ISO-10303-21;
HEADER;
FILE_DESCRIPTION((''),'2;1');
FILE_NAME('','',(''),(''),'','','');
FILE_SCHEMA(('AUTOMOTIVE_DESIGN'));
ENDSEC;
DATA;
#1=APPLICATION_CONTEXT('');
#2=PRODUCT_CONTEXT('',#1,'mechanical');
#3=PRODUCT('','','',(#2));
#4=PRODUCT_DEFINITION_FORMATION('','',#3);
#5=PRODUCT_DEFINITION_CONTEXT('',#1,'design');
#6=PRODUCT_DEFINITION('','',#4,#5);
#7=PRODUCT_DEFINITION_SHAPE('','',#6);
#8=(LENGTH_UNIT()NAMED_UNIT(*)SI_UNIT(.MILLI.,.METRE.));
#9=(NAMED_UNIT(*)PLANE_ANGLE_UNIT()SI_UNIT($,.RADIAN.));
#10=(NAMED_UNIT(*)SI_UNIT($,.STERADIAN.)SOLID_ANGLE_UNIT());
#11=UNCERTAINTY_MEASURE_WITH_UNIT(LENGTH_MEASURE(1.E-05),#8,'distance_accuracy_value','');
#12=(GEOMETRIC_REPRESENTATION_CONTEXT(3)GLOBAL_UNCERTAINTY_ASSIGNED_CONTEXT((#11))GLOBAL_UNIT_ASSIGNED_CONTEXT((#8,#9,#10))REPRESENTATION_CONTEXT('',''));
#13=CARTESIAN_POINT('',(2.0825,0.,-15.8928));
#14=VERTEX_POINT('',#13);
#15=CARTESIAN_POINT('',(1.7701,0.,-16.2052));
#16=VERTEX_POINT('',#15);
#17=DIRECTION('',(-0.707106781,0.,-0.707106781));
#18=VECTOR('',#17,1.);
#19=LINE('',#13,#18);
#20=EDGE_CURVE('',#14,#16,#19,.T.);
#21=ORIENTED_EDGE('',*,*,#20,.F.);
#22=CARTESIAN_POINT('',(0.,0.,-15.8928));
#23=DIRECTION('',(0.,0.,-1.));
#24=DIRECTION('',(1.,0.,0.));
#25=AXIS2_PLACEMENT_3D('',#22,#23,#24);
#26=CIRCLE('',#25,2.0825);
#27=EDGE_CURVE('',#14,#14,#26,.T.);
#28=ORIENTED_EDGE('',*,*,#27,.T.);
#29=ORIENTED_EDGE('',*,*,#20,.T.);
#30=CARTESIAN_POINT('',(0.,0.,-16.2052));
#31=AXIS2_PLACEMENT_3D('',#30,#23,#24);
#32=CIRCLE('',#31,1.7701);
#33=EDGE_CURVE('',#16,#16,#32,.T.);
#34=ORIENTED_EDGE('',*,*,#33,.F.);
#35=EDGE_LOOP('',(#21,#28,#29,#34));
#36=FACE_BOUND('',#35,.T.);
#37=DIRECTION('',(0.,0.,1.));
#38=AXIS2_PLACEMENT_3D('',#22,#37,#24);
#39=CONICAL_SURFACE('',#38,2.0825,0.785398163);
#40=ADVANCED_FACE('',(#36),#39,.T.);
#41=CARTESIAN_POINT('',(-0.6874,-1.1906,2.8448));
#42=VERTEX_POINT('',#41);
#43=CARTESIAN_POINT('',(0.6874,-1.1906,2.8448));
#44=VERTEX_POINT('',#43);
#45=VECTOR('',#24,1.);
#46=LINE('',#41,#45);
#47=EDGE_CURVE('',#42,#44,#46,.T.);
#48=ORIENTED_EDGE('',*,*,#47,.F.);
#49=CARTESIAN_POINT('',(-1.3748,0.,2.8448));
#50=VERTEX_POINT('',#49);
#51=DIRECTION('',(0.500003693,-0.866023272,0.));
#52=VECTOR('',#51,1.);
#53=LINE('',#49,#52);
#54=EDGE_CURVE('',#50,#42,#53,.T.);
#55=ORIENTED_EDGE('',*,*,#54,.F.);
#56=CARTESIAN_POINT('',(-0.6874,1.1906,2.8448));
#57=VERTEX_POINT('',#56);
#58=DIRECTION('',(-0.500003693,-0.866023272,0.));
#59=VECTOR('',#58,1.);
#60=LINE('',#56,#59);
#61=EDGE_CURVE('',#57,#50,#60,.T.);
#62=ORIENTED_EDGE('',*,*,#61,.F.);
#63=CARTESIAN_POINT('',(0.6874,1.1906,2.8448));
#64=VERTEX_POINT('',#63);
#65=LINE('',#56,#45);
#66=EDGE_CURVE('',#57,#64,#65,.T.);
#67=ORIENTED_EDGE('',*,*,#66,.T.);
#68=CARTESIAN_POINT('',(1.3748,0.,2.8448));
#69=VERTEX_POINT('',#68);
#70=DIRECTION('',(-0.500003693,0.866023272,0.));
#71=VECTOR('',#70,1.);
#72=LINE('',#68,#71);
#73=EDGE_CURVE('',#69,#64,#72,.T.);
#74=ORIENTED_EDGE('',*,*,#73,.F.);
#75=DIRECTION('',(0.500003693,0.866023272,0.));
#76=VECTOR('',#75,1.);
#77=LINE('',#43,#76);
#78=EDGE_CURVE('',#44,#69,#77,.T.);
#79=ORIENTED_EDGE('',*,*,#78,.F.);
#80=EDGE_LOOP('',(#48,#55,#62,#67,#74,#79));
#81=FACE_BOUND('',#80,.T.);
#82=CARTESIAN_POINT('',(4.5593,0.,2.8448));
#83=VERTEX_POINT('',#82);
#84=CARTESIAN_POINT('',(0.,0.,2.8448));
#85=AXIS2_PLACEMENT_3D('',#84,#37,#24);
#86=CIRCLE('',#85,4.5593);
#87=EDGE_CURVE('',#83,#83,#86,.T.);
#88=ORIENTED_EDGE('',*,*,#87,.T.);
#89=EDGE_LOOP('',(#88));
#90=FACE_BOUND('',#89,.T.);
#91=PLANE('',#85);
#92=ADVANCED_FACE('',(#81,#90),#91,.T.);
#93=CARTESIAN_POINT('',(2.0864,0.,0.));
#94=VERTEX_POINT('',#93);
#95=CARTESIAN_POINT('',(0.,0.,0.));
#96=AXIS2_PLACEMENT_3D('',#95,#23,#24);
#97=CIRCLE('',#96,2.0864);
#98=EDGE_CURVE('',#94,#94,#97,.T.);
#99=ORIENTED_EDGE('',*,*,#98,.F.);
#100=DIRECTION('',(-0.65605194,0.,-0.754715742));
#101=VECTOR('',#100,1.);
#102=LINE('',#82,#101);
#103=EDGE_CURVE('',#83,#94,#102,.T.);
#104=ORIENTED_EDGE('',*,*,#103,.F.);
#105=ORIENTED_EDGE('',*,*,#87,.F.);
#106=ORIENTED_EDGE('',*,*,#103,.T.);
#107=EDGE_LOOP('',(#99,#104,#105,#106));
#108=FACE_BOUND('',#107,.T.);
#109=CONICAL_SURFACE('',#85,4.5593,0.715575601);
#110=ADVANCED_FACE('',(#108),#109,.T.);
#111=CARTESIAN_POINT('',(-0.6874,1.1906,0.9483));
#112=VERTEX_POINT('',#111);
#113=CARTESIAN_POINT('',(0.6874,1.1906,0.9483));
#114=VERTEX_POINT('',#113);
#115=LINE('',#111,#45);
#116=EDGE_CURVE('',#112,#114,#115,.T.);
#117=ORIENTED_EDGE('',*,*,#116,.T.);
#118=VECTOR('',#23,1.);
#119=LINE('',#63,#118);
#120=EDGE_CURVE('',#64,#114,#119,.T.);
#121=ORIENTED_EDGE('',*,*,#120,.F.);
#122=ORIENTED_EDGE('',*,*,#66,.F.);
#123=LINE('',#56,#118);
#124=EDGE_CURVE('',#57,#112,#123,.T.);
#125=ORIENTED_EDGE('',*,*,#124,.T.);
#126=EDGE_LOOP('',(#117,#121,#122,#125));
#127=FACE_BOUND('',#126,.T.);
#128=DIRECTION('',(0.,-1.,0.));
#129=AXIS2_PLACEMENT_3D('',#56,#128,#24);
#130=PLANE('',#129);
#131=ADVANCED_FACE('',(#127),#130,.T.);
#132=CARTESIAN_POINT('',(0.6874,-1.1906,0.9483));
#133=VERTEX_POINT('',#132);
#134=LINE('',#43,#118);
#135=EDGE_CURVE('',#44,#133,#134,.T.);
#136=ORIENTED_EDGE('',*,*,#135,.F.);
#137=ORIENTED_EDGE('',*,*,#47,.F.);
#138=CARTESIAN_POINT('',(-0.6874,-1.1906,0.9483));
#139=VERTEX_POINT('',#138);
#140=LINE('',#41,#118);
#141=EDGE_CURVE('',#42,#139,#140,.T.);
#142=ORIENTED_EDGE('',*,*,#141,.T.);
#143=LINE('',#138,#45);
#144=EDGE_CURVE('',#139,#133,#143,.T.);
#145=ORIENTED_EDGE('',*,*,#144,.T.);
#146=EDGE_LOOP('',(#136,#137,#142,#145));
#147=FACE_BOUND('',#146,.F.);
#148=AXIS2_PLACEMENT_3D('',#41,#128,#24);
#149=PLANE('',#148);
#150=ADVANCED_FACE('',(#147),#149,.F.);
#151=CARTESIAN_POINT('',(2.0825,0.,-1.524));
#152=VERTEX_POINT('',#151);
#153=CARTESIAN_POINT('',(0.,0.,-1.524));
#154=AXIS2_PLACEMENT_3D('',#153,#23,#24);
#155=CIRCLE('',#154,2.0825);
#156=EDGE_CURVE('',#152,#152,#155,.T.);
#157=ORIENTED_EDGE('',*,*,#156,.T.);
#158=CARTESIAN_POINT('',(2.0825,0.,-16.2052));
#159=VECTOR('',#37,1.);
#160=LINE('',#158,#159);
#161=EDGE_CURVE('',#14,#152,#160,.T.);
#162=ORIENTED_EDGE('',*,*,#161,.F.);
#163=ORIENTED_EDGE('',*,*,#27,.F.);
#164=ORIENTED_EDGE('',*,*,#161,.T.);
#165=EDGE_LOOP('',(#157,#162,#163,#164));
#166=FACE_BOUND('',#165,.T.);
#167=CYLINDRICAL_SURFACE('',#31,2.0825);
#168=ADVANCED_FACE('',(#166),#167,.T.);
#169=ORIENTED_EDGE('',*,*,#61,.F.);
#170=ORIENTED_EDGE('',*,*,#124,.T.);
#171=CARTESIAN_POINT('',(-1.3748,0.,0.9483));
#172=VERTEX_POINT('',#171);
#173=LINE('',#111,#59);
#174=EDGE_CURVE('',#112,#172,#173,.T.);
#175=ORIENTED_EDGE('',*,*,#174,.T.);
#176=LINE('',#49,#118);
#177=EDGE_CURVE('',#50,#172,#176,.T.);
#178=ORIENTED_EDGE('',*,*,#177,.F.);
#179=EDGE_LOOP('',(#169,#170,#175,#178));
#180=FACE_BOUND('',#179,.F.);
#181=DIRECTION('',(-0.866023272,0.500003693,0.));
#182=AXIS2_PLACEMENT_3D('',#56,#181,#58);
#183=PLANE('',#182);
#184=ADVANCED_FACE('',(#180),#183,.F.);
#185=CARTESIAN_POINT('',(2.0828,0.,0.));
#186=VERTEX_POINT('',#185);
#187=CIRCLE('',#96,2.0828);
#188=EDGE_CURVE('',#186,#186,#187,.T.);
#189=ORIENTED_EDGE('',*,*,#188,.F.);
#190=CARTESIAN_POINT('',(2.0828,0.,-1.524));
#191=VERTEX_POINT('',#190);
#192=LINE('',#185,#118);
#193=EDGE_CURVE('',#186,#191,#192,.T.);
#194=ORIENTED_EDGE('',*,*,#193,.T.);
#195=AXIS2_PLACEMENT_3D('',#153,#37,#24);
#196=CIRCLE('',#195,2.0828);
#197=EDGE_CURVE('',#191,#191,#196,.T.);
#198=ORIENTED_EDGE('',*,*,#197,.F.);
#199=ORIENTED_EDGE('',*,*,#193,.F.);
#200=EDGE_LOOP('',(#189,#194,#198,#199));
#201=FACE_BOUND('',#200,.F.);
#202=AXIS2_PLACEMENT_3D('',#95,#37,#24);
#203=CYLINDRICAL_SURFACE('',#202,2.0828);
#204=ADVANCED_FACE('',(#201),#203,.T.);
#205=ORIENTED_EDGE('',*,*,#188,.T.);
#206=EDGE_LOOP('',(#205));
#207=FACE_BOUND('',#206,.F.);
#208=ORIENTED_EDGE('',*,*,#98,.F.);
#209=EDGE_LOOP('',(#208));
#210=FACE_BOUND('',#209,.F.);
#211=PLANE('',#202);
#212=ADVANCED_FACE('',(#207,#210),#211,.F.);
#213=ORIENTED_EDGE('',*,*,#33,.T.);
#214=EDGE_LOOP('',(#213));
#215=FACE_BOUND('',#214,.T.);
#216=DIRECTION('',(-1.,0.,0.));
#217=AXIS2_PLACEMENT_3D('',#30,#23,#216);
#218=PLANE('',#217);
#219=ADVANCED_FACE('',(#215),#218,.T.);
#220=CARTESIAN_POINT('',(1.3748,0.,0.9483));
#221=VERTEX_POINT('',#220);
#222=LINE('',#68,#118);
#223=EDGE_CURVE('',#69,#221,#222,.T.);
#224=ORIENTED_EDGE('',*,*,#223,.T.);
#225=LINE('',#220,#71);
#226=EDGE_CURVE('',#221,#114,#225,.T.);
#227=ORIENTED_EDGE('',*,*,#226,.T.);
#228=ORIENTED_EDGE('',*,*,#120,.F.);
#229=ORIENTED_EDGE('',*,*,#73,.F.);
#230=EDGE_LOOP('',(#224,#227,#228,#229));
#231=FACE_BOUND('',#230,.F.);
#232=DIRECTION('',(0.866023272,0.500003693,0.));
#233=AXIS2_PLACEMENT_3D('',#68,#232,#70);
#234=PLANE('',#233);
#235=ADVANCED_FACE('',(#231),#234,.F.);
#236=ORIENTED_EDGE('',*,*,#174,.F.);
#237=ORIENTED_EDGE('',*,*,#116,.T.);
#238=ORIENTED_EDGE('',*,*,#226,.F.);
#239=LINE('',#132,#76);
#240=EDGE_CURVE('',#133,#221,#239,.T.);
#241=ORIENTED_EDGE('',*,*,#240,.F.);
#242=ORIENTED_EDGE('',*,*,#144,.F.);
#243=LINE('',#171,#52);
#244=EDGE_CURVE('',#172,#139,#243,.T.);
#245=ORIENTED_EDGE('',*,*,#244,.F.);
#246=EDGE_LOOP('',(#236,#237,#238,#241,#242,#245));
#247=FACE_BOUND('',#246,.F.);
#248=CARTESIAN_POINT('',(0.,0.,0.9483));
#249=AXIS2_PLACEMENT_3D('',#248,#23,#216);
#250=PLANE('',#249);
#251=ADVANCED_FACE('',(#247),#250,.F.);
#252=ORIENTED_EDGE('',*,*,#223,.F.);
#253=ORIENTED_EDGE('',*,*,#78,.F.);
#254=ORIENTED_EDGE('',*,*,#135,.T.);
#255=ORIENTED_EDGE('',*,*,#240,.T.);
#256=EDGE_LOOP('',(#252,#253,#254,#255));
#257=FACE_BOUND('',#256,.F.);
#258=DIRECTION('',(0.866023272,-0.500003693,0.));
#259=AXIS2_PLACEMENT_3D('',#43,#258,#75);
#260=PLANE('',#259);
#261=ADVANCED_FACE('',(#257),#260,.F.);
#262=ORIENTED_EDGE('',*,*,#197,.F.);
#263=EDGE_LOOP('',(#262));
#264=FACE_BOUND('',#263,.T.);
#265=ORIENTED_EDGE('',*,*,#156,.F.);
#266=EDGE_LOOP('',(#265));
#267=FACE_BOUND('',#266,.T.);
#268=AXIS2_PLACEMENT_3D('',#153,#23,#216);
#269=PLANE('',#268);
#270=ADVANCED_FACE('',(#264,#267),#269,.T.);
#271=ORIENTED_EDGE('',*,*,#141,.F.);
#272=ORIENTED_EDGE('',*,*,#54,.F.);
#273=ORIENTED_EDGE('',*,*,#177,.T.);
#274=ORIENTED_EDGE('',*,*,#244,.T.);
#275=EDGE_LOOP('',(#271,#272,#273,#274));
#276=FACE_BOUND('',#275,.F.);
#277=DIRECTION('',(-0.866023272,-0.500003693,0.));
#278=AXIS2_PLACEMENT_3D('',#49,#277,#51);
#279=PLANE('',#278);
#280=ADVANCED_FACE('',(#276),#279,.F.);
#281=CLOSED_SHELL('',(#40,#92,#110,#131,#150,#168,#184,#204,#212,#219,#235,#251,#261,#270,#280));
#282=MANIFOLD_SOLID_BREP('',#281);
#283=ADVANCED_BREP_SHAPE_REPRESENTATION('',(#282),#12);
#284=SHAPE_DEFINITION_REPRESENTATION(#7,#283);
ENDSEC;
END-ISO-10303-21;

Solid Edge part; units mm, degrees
sketch "Sketch1" plane through (0, 0, 0) normal (0, 0, 1) x (1, 0, 0)
  circle A0 centre (0, 0) radius 4.5593
  dimension "D1" = 9.1186
extrude "Protrusion1" add sketch "Sketch1" along normal blind 2.8448
sketch "Sketch2" plane through (0, 0, 0) normal (0, 0, -1) x (1, 0, 0)
  circle A0 centre (0, 0) radius 2.0828
extrude "Protrusion2" add sketch "Sketch2" along normal blind 16.2052
sketch "Sketch3" plane through (0, 0, -16.2052) normal (0, 0, -1) x (1, 0, 0)
  circle A0 centre (0, 0) radius 2.0825
extrude "Cutout1" cut sketch "Sketch3" against normal blind 14.6812 flip side to cut
chamfer "Chamfer_1" distance 0.3124 angle 45 1 edges at (-2.0825, 0, -16.2052)
sketch "Sketch4" plane through (0, 0, 2.8448) normal (0, 0, 1) x (1, 0, 0)
  line L0 (-0.6874, 1.1906) -> (0.6874, 1.1906)
  line L1 (1.3748, 0) -> (0.6874, 1.1906)
  line L2 (0.6874, -1.1906) -> (1.3748, 0)
  line L3 (-0.6874, -1.1906) -> (0.6874, -1.1906)
  line L4 (-1.3748, 0) -> (-0.6874, -1.1906)
  line L5 (-0.6874, 1.1906) -> (-1.3748, 0)
  dimension "D1" = 2.3812
extrude "Cutout2" cut sketch "Sketch4" against normal blind 1.8965
sketch "Sketch5" plane through (0, 0, 0) normal (0, -1, 0) x (1, 0, 0)
  line L0 (4.5593, 2.8448) -> (2.0864, 0)
  line L1 (2.0864, 0) -> (4.5593, 0)
  line L2 (4.5593, 0) -> (4.5593, 2.8448)
revolve "RevolvedCutout1" cut sketch "Sketch5" angle 360 about axis through (0, 0, 14.0017) along (0, 0, -1)
properties part number "24101612"
